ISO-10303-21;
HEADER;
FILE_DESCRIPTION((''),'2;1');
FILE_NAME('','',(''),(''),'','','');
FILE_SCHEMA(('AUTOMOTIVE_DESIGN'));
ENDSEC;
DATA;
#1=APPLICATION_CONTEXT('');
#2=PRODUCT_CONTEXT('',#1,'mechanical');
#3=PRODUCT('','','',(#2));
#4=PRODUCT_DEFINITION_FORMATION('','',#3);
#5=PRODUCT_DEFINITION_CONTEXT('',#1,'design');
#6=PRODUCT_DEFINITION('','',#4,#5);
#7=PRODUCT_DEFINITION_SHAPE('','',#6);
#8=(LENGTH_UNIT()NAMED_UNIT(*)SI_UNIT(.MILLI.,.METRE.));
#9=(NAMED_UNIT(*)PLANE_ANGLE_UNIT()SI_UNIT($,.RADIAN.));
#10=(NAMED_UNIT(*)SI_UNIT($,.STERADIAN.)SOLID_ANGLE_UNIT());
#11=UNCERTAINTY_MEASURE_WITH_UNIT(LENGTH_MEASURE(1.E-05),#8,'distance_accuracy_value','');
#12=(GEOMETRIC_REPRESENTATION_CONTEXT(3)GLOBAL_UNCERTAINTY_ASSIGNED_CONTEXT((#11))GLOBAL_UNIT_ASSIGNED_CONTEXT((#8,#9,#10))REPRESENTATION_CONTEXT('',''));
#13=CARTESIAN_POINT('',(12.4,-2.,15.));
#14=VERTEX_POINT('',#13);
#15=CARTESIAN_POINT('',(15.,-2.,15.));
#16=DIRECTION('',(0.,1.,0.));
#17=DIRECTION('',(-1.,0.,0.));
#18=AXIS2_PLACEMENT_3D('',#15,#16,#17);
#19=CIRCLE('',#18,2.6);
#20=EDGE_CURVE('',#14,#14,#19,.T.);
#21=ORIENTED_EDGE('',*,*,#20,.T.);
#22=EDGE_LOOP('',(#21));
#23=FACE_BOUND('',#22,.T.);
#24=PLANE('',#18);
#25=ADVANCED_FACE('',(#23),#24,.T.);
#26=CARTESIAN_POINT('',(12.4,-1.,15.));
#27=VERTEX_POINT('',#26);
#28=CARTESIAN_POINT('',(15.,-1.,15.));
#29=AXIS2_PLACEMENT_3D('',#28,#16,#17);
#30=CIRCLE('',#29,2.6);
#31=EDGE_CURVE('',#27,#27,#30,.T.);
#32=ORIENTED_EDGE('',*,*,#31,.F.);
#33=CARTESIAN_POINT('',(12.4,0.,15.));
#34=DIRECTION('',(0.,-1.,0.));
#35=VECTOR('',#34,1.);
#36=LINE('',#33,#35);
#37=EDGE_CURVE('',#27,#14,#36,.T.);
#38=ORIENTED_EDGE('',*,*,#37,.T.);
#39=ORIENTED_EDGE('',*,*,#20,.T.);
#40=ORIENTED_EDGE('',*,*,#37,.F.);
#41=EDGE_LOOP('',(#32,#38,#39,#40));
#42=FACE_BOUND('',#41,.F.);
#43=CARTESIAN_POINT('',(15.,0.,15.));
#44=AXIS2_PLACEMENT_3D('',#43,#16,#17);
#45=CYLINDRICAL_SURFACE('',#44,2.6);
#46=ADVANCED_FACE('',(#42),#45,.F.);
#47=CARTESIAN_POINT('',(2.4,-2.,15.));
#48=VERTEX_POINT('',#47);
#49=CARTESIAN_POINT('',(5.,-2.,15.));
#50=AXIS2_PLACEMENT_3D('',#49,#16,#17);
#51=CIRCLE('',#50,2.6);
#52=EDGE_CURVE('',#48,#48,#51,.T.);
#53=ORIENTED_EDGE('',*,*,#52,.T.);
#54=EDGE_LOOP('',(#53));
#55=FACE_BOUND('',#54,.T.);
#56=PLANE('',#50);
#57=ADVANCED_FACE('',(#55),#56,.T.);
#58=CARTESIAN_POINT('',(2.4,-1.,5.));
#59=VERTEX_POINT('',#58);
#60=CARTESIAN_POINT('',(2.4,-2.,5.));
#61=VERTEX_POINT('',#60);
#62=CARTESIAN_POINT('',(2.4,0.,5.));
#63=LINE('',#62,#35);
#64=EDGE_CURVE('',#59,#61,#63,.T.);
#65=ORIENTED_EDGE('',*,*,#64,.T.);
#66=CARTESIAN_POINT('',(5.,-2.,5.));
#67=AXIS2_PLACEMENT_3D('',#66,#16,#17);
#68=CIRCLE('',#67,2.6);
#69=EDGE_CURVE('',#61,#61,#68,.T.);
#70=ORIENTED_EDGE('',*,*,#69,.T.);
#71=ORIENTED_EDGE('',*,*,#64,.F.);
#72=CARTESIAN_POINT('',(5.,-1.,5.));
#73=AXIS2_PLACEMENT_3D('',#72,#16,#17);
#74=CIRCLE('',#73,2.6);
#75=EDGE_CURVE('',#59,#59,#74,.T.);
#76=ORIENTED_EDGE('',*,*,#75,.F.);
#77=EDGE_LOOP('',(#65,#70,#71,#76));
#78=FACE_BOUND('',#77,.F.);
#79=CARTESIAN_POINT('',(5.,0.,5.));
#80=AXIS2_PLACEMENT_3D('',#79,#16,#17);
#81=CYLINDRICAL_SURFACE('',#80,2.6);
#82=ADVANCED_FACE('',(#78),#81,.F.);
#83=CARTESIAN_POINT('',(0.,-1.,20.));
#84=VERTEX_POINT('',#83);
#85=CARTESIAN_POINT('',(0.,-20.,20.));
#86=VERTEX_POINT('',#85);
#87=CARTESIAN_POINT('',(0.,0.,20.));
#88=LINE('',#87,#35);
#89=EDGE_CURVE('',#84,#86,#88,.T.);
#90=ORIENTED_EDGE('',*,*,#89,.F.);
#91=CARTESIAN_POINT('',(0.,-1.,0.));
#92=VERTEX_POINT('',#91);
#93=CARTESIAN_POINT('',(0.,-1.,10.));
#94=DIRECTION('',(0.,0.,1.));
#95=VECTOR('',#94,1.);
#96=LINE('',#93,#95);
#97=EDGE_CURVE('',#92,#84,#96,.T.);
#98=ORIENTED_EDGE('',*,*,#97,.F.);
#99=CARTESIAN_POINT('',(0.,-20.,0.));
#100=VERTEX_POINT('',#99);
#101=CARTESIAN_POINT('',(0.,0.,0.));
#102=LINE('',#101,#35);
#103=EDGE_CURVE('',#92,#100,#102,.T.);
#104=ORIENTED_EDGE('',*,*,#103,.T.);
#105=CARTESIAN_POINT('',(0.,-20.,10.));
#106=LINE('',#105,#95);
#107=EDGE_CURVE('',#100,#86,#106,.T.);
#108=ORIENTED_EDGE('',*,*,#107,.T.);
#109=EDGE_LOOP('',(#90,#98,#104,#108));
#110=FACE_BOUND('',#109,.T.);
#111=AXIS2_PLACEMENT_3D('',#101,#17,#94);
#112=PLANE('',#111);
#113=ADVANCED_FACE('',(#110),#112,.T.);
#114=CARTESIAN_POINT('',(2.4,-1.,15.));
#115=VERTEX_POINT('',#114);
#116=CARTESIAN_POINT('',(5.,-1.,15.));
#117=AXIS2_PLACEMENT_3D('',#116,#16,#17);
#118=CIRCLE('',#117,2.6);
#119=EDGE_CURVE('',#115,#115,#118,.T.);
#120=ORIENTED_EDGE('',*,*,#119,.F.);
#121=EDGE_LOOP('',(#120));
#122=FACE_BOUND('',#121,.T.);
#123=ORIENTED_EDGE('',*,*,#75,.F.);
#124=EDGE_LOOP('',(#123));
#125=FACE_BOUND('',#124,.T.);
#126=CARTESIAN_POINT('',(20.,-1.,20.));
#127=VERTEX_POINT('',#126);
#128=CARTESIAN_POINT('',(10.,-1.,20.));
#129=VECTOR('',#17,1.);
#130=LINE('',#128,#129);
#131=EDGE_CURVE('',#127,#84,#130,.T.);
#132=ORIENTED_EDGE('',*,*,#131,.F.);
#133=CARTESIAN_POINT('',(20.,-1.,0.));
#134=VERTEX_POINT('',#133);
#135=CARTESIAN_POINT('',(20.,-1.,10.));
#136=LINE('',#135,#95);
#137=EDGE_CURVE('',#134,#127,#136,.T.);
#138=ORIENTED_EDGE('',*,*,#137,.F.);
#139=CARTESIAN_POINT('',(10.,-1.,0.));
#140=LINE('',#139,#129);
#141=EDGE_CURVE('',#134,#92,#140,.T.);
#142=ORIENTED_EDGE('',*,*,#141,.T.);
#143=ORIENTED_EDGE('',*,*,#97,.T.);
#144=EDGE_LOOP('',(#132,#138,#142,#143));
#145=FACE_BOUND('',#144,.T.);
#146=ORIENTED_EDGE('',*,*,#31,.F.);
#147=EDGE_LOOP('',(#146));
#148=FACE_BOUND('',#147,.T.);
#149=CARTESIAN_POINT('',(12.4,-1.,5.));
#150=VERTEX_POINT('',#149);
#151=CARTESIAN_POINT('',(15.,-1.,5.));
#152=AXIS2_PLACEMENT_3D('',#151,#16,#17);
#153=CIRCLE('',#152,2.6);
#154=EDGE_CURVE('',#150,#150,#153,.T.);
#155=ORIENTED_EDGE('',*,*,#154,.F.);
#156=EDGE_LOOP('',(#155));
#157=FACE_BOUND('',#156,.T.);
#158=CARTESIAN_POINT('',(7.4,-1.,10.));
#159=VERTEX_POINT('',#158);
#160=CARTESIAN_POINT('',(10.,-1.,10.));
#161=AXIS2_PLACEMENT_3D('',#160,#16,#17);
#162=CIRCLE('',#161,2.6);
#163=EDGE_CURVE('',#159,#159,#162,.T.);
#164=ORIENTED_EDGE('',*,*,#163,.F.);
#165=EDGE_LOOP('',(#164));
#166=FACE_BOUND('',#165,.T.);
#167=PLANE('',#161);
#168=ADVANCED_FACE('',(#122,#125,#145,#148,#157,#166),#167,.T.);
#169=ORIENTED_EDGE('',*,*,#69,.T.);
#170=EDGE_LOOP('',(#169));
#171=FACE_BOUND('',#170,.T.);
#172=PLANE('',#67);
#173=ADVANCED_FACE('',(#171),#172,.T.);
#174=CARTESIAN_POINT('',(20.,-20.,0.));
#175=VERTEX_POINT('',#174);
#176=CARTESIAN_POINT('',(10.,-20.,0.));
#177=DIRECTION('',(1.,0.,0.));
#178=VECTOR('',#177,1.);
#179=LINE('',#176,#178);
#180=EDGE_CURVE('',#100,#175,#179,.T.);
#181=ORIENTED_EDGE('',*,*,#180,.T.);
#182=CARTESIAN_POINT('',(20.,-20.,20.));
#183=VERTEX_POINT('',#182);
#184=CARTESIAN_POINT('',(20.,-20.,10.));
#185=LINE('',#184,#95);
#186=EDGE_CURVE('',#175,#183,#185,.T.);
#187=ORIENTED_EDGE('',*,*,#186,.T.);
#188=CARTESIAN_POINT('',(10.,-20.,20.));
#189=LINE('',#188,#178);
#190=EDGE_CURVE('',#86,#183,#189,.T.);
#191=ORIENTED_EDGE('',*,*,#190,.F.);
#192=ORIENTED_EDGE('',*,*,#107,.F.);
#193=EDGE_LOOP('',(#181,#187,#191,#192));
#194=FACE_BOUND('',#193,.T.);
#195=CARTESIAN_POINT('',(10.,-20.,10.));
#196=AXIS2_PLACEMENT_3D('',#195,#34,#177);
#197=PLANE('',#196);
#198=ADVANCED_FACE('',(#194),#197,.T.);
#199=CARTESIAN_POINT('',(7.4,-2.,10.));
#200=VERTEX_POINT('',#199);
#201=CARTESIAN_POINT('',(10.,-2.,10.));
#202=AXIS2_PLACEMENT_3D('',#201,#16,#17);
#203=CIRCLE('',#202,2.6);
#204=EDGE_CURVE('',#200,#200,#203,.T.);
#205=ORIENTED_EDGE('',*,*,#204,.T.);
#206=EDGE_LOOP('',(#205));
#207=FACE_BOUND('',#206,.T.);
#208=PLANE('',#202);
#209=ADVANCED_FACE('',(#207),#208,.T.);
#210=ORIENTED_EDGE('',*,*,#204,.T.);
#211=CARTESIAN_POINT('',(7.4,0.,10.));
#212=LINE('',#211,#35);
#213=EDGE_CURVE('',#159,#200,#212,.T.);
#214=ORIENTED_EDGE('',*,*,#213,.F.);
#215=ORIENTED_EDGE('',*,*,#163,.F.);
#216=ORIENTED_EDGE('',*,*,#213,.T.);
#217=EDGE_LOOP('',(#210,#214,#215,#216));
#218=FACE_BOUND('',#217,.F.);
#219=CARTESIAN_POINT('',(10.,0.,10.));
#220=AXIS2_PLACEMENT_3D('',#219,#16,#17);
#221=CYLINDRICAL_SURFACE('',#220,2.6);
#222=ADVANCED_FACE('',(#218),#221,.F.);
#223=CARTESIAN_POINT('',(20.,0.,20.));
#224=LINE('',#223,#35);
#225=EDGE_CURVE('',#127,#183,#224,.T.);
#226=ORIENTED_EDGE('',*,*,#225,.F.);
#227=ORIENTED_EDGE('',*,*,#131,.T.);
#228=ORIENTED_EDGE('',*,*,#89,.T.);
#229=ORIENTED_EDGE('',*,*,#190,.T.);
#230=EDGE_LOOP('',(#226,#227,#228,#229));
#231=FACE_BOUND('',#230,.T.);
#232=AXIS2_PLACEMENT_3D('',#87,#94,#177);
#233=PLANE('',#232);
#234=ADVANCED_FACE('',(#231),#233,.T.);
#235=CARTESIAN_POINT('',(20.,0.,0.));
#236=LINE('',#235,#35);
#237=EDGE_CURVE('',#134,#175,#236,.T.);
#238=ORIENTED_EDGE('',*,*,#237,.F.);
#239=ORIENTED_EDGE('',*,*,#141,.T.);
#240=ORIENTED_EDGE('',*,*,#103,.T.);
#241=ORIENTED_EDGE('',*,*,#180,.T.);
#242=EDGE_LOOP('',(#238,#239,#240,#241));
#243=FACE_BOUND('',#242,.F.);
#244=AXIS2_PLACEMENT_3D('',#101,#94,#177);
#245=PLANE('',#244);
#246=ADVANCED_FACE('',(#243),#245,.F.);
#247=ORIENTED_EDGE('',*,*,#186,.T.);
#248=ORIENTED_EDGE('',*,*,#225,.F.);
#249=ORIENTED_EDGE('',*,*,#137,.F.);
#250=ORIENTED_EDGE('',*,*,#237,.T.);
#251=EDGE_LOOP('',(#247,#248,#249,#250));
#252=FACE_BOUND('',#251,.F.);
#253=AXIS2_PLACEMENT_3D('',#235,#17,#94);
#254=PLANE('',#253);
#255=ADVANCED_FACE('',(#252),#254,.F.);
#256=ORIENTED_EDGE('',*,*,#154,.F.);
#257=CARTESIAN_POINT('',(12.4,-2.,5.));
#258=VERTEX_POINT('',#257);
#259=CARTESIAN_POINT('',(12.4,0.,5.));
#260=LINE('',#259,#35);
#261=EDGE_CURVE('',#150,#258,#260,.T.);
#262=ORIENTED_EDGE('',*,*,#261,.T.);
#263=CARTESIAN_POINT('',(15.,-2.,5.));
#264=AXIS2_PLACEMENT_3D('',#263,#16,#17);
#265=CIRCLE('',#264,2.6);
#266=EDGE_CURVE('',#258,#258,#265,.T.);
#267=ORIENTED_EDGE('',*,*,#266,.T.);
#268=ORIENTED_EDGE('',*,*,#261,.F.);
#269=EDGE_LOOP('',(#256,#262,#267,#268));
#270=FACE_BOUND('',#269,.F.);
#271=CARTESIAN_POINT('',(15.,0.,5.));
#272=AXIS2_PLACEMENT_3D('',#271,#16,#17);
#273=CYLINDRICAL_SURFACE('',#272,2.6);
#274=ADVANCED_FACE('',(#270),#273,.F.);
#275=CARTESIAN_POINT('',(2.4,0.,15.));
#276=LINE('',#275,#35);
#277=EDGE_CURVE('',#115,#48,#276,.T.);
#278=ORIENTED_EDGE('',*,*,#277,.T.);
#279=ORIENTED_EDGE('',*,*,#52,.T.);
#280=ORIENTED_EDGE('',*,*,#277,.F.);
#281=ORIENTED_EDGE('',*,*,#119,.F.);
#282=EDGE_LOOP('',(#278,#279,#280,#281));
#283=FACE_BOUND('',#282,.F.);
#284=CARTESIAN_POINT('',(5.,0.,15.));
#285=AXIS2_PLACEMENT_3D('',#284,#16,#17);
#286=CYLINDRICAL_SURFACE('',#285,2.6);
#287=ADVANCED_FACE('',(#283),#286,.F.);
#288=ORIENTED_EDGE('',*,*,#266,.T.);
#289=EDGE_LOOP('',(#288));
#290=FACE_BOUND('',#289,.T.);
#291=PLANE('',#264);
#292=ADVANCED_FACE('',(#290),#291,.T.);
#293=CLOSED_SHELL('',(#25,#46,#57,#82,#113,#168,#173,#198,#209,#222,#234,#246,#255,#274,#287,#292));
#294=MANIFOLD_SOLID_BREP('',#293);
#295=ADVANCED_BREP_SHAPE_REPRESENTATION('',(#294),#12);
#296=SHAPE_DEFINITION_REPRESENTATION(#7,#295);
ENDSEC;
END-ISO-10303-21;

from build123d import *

# Parameters (mm, degrees)
F0_W     = 20
F0_H     = 20
F1_DEPTH = 20
F3_W     = 20
F3_H     = 20
F3_R     = 2.6
F6_DEPTH = 1
F5_R     = 2.6
F4_R     = 2.6
F8_DEPTH = 2


with BuildPart() as f1:
    # F0 (on Front) → F1 (new body)
    with BuildSketch(Plane.XZ):
        with Locations((10, 10)):
            Rectangle(F0_W, F0_H)
    extrude(amount=F1_DEPTH)

    # F3 (on face) → F6 (cut)
    with BuildSketch(Plane(origin=(0, 0, 0), x_dir=(-1, 0, 0), z_dir=(0, 1, 0))):
        with Locations((-10, 10)):
            Rectangle(F3_W, F3_H)
        with Locations((-15, 5)):
            Circle(F3_R, mode=Mode.SUBTRACT)
        with Locations((-5, 5)):
            Circle(F3_R, mode=Mode.SUBTRACT)
        with Locations((-15, 15)):
            Circle(F3_R, mode=Mode.SUBTRACT)
        with Locations((-10, 10)):
            Circle(F3_R, mode=Mode.SUBTRACT)
        with Locations((-5, 15)):
            Circle(F3_R, mode=Mode.SUBTRACT)
        with Locations((-5, 15)):
            Circle(F3_R)
    extrude(amount=-F6_DEPTH, mode=Mode.SUBTRACT)

    # F5 (on face) + F4 (on face) → F8 (cut)
    with BuildSketch(Plane(origin=(0, 0, 0), x_dir=(-1, 0, 0), z_dir=(0, 1, 0))):
        with Locations((-15, 15)):
            Circle(F5_R)
        with Locations((-5, 15)):
            Circle(F5_R)
        with Locations((-10, 10)):
            Circle(F5_R)
        with Locations((-5, 5)):
            Circle(F5_R)
    with BuildSketch(Plane(origin=(0, 0, 0), x_dir=(-1, 0, 0), z_dir=(0, 1, 0))):
        with Locations((-15, 5)):
            Circle(F4_R)
    extrude(amount=-F8_DEPTH, mode=Mode.SUBTRACT)


solid = f1.part
